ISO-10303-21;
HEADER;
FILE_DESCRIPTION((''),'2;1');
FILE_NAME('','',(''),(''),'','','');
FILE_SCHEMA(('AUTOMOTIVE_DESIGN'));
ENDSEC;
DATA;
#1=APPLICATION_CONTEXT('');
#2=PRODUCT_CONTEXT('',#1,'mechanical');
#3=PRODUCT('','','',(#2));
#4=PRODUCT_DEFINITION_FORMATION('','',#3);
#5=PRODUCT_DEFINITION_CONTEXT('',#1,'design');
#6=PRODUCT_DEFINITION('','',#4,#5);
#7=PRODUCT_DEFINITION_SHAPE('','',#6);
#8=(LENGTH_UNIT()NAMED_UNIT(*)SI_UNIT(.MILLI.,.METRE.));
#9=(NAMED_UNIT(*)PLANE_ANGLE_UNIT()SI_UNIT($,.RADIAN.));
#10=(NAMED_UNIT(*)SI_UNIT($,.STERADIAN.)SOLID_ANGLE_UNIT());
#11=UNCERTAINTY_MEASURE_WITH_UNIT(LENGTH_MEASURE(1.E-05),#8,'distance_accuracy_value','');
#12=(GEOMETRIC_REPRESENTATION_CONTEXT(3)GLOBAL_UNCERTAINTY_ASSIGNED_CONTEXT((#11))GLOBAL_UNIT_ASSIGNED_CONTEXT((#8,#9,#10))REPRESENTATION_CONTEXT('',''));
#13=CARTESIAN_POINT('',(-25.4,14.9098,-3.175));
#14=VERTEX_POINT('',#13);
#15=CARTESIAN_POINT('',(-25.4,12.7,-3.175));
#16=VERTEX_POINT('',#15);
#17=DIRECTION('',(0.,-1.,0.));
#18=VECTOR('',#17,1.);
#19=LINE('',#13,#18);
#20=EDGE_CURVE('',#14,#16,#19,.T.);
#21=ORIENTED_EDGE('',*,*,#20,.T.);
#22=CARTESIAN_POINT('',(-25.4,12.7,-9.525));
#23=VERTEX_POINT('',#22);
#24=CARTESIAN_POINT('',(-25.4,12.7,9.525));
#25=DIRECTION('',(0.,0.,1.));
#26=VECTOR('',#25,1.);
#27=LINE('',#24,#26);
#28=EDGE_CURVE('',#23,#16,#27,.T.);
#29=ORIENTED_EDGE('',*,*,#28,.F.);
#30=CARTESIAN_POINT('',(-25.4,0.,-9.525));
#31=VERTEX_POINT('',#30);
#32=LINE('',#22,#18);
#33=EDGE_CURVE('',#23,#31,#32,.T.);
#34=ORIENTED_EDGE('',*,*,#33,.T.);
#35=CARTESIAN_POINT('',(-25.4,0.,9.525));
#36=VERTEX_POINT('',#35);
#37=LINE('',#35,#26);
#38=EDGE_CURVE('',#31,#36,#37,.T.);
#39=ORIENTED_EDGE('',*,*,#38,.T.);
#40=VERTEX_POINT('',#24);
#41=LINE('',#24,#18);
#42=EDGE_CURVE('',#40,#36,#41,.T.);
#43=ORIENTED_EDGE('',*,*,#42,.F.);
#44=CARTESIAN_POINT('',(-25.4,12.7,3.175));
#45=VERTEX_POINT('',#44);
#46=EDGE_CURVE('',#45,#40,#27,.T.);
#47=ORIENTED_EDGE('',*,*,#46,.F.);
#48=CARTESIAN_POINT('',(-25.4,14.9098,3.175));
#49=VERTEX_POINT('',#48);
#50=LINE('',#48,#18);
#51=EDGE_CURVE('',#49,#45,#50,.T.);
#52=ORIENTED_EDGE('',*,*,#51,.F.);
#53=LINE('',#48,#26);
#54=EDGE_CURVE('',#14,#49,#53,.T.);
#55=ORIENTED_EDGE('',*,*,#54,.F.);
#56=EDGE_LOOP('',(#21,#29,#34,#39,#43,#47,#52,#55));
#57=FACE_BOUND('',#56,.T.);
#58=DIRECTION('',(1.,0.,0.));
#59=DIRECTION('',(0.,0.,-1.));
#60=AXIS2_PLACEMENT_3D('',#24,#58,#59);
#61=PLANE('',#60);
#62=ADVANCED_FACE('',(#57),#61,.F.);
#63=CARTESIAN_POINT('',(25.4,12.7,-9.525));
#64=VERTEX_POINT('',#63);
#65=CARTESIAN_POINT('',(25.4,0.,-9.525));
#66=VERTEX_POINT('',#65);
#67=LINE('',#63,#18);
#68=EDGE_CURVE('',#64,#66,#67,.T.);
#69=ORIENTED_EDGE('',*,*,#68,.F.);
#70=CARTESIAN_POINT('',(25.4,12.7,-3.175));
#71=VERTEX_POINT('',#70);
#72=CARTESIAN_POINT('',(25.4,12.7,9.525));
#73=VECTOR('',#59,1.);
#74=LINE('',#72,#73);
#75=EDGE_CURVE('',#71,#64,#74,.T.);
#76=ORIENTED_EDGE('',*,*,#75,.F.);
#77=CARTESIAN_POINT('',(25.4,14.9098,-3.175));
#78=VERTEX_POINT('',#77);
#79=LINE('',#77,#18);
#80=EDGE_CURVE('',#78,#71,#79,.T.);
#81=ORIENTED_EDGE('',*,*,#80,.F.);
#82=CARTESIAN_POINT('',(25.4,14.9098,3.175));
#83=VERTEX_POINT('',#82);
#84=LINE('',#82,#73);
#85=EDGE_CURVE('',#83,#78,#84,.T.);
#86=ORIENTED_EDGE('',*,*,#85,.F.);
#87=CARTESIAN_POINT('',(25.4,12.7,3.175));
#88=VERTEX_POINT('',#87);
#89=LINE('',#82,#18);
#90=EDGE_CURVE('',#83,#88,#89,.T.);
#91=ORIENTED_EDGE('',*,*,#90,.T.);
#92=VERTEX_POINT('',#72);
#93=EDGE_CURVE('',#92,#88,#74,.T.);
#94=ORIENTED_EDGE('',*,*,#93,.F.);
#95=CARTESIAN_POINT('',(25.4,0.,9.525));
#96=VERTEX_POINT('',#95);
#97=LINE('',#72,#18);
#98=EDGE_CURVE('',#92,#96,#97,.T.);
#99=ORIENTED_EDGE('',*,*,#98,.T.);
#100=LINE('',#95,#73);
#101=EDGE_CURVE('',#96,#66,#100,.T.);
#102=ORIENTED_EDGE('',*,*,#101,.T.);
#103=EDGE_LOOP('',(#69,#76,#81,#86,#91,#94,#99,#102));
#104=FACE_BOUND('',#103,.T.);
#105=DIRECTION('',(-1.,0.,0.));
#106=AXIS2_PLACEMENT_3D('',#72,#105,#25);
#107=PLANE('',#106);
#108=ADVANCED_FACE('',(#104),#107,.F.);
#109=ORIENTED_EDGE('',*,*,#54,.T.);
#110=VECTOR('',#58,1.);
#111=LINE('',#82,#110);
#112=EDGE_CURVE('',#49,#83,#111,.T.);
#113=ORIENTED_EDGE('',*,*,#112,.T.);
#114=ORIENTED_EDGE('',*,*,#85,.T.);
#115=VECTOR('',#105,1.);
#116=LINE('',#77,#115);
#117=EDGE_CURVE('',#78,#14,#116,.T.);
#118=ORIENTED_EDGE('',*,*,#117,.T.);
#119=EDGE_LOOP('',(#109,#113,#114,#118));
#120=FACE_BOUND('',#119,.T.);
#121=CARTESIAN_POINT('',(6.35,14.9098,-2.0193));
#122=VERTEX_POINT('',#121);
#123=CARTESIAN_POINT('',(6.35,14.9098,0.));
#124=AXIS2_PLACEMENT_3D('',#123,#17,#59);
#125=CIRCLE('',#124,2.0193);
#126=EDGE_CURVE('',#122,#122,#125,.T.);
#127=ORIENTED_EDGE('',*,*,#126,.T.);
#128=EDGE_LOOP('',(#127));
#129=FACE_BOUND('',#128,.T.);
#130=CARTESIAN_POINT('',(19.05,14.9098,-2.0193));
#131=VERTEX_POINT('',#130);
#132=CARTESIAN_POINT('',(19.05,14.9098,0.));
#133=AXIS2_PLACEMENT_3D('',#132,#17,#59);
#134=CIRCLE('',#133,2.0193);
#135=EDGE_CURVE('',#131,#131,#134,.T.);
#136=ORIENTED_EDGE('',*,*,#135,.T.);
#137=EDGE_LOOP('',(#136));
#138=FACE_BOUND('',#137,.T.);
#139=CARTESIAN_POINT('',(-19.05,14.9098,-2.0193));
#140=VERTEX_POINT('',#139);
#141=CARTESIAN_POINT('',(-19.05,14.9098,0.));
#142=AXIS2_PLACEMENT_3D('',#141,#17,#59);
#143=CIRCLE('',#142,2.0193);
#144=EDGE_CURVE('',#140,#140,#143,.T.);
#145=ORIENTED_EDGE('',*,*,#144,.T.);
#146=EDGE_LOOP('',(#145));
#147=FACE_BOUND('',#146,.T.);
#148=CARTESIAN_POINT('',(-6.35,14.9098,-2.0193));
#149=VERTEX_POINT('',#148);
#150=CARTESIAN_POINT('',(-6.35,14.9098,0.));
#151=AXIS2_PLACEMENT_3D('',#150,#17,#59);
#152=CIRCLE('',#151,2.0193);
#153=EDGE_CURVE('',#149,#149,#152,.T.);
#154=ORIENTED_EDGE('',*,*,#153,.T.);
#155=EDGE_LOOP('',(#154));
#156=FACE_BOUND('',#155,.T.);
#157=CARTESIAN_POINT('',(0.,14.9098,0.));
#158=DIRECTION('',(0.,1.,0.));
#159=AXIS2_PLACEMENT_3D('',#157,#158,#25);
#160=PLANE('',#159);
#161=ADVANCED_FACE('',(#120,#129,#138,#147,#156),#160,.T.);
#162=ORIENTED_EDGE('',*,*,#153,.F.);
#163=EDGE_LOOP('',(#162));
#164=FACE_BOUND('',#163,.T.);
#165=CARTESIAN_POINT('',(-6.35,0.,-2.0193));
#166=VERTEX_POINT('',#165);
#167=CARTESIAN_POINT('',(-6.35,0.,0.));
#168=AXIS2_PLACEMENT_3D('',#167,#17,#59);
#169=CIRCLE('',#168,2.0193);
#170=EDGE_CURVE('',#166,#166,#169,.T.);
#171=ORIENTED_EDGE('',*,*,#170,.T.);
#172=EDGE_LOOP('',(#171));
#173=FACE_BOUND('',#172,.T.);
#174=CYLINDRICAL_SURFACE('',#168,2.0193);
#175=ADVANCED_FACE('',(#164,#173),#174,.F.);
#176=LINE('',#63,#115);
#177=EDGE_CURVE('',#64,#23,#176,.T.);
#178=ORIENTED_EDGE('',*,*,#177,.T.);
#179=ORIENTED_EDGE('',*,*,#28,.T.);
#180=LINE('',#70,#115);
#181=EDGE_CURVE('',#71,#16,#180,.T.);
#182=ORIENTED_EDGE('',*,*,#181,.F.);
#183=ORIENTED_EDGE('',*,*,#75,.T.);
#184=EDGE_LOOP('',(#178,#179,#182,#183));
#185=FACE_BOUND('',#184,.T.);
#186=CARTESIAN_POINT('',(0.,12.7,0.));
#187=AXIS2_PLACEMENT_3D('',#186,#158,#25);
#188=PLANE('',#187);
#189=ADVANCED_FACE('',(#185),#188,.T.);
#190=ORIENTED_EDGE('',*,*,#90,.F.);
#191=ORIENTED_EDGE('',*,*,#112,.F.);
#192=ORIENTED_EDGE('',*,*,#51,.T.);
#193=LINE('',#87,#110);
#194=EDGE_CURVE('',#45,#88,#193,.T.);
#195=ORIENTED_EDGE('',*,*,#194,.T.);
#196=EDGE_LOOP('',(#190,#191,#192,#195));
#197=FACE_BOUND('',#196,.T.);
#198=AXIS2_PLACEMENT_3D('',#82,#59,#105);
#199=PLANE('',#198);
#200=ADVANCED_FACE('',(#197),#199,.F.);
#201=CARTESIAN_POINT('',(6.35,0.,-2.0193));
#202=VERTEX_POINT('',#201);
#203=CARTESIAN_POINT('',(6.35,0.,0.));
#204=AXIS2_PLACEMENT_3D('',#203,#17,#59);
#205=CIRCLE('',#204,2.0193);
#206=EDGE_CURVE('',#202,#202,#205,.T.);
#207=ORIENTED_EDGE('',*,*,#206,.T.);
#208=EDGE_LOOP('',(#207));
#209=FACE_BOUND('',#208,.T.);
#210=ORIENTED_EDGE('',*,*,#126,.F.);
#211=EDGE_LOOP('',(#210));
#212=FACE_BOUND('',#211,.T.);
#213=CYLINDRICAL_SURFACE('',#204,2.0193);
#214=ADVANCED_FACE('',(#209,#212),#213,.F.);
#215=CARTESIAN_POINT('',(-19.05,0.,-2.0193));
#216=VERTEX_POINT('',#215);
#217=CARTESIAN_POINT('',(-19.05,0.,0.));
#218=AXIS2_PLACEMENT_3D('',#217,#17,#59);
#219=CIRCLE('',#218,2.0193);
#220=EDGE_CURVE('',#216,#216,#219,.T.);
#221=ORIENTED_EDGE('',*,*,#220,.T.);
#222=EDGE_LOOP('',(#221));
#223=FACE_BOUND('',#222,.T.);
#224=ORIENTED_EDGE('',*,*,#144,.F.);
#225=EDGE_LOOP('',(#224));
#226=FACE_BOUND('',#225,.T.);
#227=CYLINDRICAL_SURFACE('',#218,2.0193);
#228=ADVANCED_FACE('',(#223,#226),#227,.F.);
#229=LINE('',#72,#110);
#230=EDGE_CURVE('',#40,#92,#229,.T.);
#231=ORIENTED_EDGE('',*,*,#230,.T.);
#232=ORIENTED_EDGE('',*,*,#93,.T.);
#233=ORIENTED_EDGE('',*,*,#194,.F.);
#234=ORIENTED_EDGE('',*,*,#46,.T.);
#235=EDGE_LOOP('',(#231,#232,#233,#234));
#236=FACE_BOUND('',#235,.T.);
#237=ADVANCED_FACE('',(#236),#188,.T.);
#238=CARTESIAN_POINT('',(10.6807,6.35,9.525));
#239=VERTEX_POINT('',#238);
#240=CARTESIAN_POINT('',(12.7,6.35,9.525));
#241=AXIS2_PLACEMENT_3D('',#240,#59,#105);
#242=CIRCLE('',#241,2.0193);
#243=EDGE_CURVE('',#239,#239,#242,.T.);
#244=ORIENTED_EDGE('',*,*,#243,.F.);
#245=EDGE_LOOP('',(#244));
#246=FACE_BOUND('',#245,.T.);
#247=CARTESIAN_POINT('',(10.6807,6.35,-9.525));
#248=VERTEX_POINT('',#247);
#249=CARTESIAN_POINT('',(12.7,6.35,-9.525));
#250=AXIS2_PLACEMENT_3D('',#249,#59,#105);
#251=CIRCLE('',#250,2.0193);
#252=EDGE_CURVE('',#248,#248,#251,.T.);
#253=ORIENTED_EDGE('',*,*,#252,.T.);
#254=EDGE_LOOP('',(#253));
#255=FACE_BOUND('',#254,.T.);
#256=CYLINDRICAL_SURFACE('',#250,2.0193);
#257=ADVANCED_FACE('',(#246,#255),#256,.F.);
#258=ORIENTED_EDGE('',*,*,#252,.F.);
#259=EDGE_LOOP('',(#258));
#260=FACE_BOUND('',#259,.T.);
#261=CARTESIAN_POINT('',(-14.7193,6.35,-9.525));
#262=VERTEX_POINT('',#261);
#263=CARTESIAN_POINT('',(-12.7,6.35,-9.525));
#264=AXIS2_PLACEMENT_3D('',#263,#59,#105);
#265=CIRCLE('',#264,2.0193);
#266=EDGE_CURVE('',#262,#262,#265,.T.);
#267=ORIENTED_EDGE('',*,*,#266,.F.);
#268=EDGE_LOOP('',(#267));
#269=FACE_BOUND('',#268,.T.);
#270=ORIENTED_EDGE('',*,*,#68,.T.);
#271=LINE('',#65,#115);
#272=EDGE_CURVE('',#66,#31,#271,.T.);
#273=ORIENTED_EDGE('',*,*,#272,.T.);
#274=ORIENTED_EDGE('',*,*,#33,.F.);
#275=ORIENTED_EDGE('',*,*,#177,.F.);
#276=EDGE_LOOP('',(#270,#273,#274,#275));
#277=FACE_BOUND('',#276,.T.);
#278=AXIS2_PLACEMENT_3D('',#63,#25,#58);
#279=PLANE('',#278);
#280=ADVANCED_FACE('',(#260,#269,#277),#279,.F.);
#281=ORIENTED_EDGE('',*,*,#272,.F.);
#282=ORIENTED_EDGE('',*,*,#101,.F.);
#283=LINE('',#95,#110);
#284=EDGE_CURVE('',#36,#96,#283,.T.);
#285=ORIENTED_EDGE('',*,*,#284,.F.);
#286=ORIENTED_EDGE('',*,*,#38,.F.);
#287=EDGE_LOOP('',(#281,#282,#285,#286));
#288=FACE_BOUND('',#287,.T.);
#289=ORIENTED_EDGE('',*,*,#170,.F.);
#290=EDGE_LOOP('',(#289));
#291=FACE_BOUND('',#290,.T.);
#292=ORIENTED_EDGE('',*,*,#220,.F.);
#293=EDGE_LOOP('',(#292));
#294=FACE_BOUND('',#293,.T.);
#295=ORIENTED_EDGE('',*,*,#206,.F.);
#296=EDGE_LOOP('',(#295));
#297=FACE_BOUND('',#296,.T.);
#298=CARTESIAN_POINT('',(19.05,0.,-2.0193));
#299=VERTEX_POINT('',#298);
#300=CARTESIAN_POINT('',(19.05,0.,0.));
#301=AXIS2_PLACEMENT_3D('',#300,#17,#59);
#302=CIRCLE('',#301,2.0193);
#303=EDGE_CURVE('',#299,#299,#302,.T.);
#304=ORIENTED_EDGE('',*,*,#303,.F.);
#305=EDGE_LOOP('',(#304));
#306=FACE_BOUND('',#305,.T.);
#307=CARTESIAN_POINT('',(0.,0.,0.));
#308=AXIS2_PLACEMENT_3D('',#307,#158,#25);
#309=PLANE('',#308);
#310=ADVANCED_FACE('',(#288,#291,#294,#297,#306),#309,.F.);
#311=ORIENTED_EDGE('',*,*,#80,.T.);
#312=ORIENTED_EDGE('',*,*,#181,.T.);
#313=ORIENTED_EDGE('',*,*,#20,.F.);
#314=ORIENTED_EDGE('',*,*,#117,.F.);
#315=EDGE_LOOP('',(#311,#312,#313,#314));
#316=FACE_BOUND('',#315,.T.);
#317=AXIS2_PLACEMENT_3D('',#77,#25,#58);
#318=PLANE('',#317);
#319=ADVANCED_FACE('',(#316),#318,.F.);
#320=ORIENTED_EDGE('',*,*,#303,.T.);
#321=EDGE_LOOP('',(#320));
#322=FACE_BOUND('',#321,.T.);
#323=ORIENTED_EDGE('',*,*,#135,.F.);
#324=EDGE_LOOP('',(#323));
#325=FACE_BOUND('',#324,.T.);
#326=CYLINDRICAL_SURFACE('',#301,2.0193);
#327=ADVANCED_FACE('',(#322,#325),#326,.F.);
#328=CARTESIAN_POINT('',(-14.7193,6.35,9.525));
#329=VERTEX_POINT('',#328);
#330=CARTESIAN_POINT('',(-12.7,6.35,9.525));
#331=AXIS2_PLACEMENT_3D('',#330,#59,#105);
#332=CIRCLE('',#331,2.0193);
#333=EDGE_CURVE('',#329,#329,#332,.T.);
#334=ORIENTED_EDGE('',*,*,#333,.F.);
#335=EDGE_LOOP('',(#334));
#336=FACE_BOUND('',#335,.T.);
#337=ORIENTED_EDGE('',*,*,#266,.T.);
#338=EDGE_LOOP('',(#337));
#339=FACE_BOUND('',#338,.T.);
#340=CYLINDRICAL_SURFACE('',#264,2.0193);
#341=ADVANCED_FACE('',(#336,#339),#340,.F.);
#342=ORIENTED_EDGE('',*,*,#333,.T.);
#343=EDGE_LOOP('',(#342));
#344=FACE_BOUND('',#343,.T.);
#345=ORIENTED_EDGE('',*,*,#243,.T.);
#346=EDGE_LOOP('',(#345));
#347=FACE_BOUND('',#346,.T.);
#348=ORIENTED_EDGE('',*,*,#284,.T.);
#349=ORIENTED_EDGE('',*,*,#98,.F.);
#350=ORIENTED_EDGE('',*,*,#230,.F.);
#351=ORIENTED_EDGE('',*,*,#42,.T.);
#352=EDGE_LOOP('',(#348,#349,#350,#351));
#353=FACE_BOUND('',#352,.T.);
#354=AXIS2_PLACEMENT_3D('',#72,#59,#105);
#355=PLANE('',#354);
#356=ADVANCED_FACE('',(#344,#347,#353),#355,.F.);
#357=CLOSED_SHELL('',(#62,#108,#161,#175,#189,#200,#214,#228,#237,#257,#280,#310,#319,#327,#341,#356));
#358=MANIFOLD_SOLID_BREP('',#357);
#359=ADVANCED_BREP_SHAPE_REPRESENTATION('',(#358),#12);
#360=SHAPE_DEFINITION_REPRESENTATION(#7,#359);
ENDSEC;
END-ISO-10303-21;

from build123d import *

# Parameters (mm, degrees)
SKETCH1_W              = 50.8
SKETCH1_H              = 19.05
BOSS_EXTRUDE1_DEPTH    = 12.7
SKETCH2_W              = 50.8
SKETCH2_H              = 6.35
BOSS_EXTRUDE2_DEPTH    = 2.2098
F_10_32_TAPPED_HOLE1_D = 4.0386
F_10_32_TAPPED_HOLE2_D = 4.0386


with BuildPart() as part:
    # Sketch1 → Boss-Extrude1 (new body)
    with BuildSketch(Plane(origin=(0, 0, 0), x_dir=(1, 0, 0), z_dir=(0, 1, 0))):
        Rectangle(SKETCH1_W, SKETCH1_H)
    extrude(amount=BOSS_EXTRUDE1_DEPTH)

    # Sketch2 → Boss-Extrude2 (add)
    with BuildSketch(Plane(origin=(0, 12.7, 0), x_dir=(1, 0, 0), z_dir=(0, 1, 0))):
        Rectangle(SKETCH2_W, SKETCH2_H)
    extrude(amount=BOSS_EXTRUDE2_DEPTH)

    # #10-32 Tapped Hole1 (through all)
    with Locations(Plane(origin=(0, 0, -9.525), x_dir=(-1, 0, 0), z_dir=(0, 0, -1))):
        with Locations((12.7, 6.35), (-12.7, 6.35)):
            Hole(F_10_32_TAPPED_HOLE1_D / 2)

    # #10-32 Tapped Hole2 (through all)
    with Locations(Plane(origin=(0, 0, 0), x_dir=(-1, 0, 0), z_dir=(0, -1, 0))):
        with Locations((-19.05, 0), (19.05, 0), (6.35, 0), (-6.35, 0)):
            Hole(F_10_32_TAPPED_HOLE2_D / 2)


solid = part.part
